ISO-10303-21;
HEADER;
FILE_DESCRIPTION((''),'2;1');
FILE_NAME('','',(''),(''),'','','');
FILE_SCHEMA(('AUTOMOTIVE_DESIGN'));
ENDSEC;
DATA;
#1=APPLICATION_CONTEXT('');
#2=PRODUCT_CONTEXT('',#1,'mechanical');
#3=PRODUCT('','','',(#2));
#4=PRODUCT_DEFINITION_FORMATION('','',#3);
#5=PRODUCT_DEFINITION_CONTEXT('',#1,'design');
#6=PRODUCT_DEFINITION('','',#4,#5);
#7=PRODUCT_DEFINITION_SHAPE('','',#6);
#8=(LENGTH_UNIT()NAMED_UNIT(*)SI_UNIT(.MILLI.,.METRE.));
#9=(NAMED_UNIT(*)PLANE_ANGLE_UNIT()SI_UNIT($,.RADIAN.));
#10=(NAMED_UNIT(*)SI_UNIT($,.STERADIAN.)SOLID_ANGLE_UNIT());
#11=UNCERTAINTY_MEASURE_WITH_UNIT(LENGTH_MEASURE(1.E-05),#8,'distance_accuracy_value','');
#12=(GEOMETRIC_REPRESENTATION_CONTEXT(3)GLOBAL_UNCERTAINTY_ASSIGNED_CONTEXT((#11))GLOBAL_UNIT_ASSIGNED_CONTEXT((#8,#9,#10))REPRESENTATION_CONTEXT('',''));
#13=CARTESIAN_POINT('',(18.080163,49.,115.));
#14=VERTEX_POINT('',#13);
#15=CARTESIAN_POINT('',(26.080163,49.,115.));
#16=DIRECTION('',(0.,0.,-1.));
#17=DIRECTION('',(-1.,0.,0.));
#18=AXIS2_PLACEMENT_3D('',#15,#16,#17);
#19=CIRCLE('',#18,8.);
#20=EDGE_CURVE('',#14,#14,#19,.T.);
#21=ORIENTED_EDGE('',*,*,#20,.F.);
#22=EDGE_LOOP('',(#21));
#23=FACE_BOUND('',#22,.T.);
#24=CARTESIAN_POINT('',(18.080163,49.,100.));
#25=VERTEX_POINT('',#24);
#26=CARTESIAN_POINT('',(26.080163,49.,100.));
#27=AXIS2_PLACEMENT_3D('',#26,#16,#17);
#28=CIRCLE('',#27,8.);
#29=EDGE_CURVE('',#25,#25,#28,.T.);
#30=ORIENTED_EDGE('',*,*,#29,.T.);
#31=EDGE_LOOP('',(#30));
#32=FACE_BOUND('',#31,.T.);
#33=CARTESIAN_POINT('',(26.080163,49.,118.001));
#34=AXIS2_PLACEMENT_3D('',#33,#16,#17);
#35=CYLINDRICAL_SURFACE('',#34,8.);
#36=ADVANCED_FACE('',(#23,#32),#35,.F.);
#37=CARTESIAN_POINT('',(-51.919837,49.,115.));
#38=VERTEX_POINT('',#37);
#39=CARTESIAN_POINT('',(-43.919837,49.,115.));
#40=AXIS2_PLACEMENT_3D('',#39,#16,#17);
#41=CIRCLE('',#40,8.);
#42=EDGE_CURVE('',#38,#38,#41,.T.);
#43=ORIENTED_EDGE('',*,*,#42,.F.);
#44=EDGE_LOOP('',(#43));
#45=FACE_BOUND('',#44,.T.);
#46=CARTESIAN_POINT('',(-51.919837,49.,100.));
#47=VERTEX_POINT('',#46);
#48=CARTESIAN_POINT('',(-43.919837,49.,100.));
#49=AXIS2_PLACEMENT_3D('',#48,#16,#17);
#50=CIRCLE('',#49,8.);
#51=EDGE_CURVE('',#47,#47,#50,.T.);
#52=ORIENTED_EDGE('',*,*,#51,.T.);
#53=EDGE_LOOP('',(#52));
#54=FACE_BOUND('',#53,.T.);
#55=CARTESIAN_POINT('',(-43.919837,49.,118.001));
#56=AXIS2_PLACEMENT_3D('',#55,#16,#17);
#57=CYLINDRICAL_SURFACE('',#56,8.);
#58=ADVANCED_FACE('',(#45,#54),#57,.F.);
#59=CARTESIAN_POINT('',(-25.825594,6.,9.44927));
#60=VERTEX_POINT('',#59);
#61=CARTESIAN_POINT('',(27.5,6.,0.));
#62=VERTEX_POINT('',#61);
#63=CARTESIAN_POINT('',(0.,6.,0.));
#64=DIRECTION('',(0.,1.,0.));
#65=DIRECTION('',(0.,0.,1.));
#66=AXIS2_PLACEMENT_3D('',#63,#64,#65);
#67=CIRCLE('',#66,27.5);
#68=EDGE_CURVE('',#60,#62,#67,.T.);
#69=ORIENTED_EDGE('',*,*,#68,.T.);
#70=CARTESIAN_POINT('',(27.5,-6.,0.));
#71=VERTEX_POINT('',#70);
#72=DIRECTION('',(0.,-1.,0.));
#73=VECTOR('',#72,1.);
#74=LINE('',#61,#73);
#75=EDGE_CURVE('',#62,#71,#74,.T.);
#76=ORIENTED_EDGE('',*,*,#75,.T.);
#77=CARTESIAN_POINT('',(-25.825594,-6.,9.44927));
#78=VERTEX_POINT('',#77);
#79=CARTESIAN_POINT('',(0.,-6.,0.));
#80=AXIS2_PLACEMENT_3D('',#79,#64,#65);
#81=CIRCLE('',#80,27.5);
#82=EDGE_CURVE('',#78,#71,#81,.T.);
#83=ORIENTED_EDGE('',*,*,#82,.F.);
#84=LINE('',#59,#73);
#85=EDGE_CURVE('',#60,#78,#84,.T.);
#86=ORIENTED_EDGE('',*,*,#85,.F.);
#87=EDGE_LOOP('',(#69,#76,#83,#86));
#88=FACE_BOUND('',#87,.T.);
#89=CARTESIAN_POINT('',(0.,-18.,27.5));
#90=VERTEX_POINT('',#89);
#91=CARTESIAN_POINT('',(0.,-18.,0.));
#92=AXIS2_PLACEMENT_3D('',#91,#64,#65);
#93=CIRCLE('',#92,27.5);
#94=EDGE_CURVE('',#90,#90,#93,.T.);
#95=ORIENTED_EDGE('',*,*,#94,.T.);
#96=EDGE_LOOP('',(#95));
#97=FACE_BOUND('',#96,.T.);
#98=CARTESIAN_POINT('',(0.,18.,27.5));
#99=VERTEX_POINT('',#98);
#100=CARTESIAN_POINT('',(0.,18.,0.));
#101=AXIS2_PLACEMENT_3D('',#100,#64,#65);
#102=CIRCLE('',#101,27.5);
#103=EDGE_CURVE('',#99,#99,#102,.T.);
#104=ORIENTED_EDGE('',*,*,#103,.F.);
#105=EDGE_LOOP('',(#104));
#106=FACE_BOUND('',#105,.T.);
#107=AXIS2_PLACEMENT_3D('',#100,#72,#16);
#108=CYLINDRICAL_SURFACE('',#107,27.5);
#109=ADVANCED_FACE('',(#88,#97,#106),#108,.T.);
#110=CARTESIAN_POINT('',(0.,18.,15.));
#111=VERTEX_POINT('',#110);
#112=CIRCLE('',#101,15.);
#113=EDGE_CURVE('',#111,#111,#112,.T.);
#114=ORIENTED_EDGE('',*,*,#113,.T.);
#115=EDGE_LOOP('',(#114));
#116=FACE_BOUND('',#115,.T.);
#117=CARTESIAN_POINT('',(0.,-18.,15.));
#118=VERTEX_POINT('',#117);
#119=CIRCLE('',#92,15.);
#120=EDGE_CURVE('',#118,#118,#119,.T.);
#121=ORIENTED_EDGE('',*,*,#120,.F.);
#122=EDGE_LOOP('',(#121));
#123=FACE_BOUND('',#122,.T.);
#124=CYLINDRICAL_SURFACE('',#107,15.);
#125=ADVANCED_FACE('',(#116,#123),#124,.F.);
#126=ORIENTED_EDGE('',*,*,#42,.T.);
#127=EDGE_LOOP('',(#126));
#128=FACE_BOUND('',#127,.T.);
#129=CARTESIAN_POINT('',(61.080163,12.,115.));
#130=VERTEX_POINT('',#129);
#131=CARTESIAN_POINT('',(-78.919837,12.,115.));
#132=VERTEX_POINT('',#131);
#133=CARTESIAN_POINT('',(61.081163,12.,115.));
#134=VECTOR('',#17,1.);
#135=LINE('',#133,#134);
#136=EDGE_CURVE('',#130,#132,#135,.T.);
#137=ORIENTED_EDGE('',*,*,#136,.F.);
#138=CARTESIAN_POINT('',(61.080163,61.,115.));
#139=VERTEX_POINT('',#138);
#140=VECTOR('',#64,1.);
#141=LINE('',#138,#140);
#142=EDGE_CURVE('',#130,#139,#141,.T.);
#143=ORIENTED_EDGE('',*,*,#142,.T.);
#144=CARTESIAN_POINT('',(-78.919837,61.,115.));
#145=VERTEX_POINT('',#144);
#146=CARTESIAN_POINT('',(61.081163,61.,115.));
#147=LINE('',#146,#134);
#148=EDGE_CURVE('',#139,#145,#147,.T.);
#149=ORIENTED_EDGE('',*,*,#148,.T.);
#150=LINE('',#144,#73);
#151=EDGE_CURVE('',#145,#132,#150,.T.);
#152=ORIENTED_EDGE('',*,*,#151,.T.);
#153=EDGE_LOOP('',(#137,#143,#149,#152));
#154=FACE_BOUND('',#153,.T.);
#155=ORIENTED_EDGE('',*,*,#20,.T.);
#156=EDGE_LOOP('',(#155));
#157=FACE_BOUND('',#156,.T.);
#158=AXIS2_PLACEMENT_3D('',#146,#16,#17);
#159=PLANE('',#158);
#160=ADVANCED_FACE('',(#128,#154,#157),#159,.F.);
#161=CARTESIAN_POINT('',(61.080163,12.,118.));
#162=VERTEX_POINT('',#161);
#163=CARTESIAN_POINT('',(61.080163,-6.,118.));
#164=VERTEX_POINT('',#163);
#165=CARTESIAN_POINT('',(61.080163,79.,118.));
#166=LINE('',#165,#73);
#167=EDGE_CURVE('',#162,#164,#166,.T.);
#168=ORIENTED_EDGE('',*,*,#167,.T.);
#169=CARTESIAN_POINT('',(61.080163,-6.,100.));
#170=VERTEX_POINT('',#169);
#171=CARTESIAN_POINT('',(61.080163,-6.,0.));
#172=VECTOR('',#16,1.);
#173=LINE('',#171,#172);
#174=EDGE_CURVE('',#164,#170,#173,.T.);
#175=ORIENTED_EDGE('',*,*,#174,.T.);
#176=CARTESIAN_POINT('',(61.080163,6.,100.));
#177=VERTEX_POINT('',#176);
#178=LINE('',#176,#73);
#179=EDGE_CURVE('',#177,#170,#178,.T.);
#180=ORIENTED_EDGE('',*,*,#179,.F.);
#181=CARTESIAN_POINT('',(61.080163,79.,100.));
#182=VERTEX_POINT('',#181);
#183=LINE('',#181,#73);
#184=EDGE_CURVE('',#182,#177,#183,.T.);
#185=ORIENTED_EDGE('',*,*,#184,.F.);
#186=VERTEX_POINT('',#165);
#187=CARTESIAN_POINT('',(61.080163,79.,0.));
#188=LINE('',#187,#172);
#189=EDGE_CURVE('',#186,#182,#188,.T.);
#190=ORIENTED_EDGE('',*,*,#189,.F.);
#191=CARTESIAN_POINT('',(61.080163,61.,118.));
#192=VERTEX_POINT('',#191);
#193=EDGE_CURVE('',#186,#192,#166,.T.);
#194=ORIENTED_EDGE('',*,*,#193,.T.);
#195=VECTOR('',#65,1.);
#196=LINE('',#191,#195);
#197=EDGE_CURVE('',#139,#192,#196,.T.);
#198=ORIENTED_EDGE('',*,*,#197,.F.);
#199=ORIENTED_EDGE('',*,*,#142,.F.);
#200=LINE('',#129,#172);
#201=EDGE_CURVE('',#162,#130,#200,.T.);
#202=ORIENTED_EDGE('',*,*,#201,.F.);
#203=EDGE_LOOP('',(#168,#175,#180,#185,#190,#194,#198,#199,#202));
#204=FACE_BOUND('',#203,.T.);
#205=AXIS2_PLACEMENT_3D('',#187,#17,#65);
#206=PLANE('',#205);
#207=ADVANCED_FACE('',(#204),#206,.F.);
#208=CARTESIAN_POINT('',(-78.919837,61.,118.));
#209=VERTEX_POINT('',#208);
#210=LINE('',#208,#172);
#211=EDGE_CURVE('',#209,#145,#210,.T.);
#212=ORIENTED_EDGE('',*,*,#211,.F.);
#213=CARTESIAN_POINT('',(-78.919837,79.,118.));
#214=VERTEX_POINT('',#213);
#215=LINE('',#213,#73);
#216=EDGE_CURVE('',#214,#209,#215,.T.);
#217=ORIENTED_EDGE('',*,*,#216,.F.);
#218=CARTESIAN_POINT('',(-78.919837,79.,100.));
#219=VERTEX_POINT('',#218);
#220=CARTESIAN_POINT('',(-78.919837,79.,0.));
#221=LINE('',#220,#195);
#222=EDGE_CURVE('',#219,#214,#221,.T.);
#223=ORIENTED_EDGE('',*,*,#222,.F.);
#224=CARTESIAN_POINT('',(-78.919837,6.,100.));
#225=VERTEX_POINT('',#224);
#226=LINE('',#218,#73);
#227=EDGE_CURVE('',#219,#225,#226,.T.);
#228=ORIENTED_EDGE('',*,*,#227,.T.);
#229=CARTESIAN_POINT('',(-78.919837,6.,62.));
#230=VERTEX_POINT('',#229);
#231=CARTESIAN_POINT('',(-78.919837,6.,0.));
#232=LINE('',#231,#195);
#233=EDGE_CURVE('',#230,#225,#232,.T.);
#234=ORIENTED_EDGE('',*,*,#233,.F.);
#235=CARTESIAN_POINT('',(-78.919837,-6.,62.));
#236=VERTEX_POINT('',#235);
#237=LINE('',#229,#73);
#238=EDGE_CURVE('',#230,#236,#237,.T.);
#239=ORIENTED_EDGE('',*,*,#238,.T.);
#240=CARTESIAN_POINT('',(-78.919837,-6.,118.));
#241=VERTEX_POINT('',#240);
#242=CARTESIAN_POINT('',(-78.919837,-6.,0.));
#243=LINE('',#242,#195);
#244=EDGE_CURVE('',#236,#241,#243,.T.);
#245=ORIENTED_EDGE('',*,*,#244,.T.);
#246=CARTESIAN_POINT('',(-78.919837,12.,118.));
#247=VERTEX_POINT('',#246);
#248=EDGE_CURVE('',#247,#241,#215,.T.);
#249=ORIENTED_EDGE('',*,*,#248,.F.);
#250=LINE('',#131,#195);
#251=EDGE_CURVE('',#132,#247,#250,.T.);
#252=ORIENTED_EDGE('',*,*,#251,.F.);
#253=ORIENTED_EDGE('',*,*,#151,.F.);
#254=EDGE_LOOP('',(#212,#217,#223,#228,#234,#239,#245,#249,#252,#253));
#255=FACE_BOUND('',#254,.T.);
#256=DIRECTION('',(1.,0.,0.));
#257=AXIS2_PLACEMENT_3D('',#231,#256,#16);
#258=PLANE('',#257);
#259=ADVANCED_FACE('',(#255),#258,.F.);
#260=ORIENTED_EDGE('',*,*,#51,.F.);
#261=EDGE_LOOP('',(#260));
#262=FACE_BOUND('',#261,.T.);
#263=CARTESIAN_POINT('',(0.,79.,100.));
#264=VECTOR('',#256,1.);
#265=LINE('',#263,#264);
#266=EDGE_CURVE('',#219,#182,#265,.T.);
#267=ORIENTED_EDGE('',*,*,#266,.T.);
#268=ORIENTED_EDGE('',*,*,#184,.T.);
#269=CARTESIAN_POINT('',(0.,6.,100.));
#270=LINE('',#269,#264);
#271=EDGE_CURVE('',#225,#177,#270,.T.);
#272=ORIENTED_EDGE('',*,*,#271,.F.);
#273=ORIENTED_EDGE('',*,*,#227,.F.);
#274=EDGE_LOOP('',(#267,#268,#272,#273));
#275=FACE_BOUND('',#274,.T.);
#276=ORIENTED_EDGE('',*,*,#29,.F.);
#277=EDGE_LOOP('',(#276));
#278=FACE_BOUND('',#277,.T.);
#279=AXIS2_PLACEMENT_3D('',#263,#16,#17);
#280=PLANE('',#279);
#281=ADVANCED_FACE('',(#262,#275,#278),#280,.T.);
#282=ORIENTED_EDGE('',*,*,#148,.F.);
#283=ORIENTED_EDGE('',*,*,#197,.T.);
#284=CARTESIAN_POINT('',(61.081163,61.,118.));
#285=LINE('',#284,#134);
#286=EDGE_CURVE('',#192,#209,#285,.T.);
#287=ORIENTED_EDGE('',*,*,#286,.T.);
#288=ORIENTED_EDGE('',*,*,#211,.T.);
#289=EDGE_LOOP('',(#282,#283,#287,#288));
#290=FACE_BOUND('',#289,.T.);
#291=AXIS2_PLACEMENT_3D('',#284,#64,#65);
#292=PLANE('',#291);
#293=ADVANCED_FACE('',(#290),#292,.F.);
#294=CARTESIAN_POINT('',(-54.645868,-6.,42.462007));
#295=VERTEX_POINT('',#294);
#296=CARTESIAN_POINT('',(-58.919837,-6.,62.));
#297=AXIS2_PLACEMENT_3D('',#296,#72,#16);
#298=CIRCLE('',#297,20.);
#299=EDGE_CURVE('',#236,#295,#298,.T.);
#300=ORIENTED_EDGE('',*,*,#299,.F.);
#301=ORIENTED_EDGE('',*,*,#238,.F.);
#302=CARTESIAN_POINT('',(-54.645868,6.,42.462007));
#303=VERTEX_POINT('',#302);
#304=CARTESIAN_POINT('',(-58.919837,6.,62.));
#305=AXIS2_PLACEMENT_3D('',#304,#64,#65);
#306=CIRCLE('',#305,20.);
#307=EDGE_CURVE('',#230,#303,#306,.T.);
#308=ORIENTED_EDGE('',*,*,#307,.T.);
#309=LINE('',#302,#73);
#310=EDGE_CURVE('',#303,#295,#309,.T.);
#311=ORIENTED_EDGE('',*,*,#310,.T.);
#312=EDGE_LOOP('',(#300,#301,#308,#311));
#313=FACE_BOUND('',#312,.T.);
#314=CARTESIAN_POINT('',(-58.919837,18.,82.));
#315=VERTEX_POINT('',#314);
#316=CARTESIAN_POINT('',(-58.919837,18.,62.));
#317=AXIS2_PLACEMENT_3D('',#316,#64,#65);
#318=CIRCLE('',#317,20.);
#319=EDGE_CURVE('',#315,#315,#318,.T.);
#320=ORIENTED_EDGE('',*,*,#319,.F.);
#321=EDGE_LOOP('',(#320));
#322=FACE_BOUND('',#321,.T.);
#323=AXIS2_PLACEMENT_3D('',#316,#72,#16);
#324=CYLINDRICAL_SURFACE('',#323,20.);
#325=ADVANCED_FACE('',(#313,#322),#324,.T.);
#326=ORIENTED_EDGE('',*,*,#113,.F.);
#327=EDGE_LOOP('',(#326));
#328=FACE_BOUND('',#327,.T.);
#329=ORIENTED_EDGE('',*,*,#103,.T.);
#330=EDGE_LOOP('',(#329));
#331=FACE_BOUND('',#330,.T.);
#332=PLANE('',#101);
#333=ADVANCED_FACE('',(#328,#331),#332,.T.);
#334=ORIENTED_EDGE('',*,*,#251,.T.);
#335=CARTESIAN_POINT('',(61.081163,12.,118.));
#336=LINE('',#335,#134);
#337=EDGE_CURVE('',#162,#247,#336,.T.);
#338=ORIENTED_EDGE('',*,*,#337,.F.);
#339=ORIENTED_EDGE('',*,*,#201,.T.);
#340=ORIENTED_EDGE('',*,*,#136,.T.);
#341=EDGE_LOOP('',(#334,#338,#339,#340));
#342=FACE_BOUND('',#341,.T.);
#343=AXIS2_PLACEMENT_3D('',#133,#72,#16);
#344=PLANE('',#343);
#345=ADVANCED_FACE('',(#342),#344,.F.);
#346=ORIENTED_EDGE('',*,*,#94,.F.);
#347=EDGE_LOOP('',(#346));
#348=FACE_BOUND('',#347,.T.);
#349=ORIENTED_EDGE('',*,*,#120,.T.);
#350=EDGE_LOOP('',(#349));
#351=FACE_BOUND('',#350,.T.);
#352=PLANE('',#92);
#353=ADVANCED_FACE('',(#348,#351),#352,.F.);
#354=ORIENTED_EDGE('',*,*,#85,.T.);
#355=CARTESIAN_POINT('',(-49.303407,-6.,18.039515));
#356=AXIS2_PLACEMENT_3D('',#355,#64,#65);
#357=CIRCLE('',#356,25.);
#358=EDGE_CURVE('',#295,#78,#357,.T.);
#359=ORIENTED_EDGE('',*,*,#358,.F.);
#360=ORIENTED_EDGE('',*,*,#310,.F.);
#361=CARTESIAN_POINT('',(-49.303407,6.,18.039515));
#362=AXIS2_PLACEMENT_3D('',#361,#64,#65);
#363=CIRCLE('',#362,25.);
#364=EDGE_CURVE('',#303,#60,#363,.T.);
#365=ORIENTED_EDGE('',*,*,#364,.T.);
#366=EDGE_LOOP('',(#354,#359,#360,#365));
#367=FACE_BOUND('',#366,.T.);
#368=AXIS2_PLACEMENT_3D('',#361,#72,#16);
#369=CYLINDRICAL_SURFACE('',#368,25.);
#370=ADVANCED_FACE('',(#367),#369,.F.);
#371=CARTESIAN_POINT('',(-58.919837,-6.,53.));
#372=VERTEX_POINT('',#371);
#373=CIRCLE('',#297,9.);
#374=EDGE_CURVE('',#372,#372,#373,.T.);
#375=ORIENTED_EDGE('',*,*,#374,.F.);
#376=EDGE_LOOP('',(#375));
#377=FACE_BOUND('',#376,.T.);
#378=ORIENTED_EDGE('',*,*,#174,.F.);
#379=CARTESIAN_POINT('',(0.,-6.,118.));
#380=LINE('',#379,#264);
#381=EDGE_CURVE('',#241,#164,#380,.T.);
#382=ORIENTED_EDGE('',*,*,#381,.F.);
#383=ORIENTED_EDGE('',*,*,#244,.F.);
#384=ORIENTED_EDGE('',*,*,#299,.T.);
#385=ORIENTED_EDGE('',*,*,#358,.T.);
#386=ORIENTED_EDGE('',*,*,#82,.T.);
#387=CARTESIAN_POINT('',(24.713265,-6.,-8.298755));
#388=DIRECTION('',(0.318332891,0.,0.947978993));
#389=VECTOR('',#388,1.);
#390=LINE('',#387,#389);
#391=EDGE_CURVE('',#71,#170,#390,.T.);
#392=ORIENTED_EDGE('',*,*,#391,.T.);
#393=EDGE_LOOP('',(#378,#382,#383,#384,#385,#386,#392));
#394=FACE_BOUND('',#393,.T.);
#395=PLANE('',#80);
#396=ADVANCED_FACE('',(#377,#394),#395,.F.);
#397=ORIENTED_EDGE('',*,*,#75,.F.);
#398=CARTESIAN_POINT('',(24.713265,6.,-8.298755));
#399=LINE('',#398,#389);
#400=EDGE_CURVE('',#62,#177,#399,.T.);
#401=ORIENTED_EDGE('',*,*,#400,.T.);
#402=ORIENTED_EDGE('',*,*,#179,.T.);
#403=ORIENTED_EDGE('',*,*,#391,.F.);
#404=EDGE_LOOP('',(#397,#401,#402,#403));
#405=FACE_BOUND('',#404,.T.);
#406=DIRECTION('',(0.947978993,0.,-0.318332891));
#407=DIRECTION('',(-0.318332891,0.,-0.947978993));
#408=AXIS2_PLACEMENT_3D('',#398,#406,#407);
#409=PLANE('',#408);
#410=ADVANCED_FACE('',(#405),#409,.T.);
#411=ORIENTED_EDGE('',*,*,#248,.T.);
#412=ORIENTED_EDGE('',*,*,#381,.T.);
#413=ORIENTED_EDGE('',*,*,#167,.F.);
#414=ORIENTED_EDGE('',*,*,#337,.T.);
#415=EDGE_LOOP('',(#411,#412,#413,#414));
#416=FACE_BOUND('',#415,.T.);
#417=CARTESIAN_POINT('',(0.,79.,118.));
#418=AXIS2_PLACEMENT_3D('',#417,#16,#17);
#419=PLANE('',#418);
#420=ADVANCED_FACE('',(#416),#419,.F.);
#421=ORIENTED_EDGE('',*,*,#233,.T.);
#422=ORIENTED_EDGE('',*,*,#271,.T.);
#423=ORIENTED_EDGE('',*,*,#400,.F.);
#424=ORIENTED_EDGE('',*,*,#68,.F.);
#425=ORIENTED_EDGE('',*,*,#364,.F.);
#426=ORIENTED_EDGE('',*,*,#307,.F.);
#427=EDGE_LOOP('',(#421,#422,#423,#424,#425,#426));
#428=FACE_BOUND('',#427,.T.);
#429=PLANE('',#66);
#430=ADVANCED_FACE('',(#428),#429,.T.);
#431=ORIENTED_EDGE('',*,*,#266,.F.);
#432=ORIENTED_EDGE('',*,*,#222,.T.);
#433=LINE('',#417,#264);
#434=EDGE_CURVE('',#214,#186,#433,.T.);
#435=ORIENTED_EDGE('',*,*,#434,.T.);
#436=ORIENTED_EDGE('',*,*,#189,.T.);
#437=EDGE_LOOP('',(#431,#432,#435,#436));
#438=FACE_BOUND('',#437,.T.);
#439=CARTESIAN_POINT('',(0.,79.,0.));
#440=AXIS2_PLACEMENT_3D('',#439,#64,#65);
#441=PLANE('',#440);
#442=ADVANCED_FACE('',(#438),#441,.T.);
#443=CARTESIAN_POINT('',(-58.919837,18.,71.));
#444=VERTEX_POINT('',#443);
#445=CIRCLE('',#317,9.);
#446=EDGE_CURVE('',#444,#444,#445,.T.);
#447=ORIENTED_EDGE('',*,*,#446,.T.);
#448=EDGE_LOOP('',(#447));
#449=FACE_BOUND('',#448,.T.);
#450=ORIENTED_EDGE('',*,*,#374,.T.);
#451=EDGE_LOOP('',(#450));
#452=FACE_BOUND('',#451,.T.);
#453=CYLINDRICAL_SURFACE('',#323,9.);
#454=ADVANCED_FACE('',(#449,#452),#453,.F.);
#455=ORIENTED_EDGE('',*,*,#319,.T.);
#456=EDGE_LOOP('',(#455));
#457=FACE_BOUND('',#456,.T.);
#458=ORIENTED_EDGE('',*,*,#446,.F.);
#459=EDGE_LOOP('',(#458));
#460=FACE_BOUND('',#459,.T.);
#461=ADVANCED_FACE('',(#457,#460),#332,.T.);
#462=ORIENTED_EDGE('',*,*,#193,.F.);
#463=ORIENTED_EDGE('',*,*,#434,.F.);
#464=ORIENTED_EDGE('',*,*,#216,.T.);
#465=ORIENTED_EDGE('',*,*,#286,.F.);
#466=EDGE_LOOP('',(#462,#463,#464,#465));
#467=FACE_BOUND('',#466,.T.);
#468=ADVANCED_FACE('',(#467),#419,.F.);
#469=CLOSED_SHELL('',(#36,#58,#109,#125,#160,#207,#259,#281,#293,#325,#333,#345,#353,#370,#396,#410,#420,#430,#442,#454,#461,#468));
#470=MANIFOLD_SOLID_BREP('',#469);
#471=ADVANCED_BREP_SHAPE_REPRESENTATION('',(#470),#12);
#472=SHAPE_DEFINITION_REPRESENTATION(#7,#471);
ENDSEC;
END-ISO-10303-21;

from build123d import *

# Parameters (mm, degrees)
SKETCH1_R           = 15
BOSS_EXTRUDE1_DEPTH = 18
BOSS_EXTRUDE2_DEPTH = 6
SKETCH1_4_R         = 9
BOSS_EXTRUDE3_DEPTH = 18
SKETCH2_R           = 20
SKETCH2_R_2         = 9
CUT_EXTRUDE1_DEPTH  = 12
SKETCH1_5_W         = 140
SKETCH1_5_H         = 18
BOSS_EXTRUDE4_DEPTH = 79
CUT_EXTRUDE2_REACH  = 171.486
SKETCH4_R           = 8
CUT_EXTRUDE3_REACH  = 201.412
SKETCH5_W           = 3
SKETCH5_H           = 49
SKETCH1_6_W         = 140
SKETCH1_6_H         = 18
BOSS_EXTRUDE5_DEPTH = 6


with BuildPart() as part:
    # Sketch1 → Boss-Extrude1 (new, symmetric)
    with BuildSketch(Plane(origin=(0, 0, 0), x_dir=(1, 0, 0), z_dir=(0, 1, 0))):
        with BuildLine():
            ThreePointArc((-25.82559397, -9.449269605), (4.798237479, -27.078163104), (27.5, 0))
            ThreePointArc((27.5, 0), (-4.798237479, 27.078163104), (-25.82559397, -9.449269605))
        make_face()
        Circle(SKETCH1_R, mode=Mode.SUBTRACT)
    extrude(amount=BOSS_EXTRUDE1_DEPTH, both=True)

    # Sketch1<3> → Boss-Extrude2 (add, symmetric)
    with BuildSketch(Plane(origin=(0, 0, 0), x_dir=(1, 0, 0), z_dir=(0, 1, 0))):
        with BuildLine():
            Line((-78.919837001, -62), (-78.919837001, -100))
            Line((-78.919837001, -100), (61.080162999, -100))
            Line((61.080162999, -100), (27.5, 0))
            ThreePointArc((27.5, 0), (4.798237479, -27.078163104), (-25.82559397, -9.449269605))
            ThreePointArc((-25.82559397, -9.449269605), (-30.4703787, -34.480836347), (-54.645867965, -42.462006534))
            ThreePointArc((-54.645867965, -42.462006534), (-43.339731406, -49.45965273), (-38.919837001, -62))
            ThreePointArc((-38.919837001, -62), (-58.919837001, -82), (-78.919837001, -62))
        make_face()
    extrude(amount=BOSS_EXTRUDE2_DEPTH, both=True)

    # Sketch1<4> → Boss-Extrude3 (add, symmetric)
    with BuildSketch(Plane(origin=(0, 0, 0), x_dir=(1, 0, 0), z_dir=(0, 1, 0))):
        with BuildLine():
            ThreePointArc((-54.645867965, -42.462006534), (-71.460184271, -46.419894405), (-78.919837001, -62))
            ThreePointArc((-78.919837001, -62), (-58.919837001, -82), (-38.919837001, -62))
            ThreePointArc((-38.919837001, -62), (-43.339731406, -49.45965273), (-54.645867965, -42.462006534))
        make_face()
        with Locations((-58.919837001, -62)):
            Circle(SKETCH1_4_R, mode=Mode.SUBTRACT)
    extrude(amount=BOSS_EXTRUDE3_DEPTH, both=True)

    # Sketch2 → Cut-Extrude1 (cut)
    with BuildSketch(Plane.XZ.offset(18)):
        with Locations((-58.919837001, 62)):
            Circle(SKETCH2_R)
        with Locations((-58.919837001, 62)):
            Circle(SKETCH2_R_2, mode=Mode.SUBTRACT)
    extrude(amount=-CUT_EXTRUDE1_DEPTH, mode=Mode.SUBTRACT)

    # Sketch1<5> → Boss-Extrude4 (add)
    with BuildSketch(Plane(origin=(0, 0, 0), x_dir=(1, 0, 0), z_dir=(0, 1, 0))):
        with Locations((-8.919837001, -109)):
            Rectangle(SKETCH1_5_W, SKETCH1_5_H)
    extrude(amount=BOSS_EXTRUDE4_DEPTH)

    # Sketch4 → Cut-Extrude2 (cut, up to next)
    with BuildSketch(Plane(origin=(0, 0, 100), x_dir=(-1, 0, 0), z_dir=(0, 0, -1)), mode=Mode.PRIVATE) as cut_extrude2_sk1:
        with Locations((-26.080162999, 49)):
            Circle(SKETCH4_R)
    cut_extrude2_tool1 = extrude(cut_extrude2_sk1.sketch, amount=-CUT_EXTRUDE2_REACH, mode=Mode.PRIVATE) & part.part
    # Sketch4 → Cut-Extrude2 (cut, up to next)
    with BuildSketch(Plane(origin=(0, 0, 100), x_dir=(-1, 0, 0), z_dir=(0, 0, -1)), mode=Mode.PRIVATE) as cut_extrude2_sk2:
        with Locations((43.919837001, 49)):
            Circle(SKETCH4_R)
    cut_extrude2_tool2 = extrude(cut_extrude2_sk2.sketch, amount=-CUT_EXTRUDE2_REACH, mode=Mode.PRIVATE) & part.part
    add(cut_extrude2_tool1.solids().sort_by_distance((26.080163, 49, 100))[0], mode=Mode.SUBTRACT)
    add(cut_extrude2_tool2.solids().sort_by_distance((-43.919837, 49, 100))[0], mode=Mode.SUBTRACT)

    # Sketch5 → Cut-Extrude3 (cut, up to next)
    with BuildSketch(Plane.ZY.offset(78.919837001), mode=Mode.PRIVATE) as cut_extrude3_sk1:
        with Locations((116.5, 36.5)):
            Rectangle(SKETCH5_W, SKETCH5_H)
    cut_extrude3_tool1 = extrude(cut_extrude3_sk1.sketch, amount=-CUT_EXTRUDE3_REACH, mode=Mode.PRIVATE) & part.part
    add(cut_extrude3_tool1.solids().sort_by_distance((-78.919837, 36.5, 116.5))[0], mode=Mode.SUBTRACT)

    # Sketch1<6> → Boss-Extrude5 (add)
    with BuildSketch(Plane(origin=(0, 0, 0), x_dir=(1, 0, 0), z_dir=(0, 1, 0))):
        with Locations((-8.919837001, -109)):
            Rectangle(SKETCH1_6_W, SKETCH1_6_H)
    extrude(amount=-BOSS_EXTRUDE5_DEPTH)


solid = part.part
